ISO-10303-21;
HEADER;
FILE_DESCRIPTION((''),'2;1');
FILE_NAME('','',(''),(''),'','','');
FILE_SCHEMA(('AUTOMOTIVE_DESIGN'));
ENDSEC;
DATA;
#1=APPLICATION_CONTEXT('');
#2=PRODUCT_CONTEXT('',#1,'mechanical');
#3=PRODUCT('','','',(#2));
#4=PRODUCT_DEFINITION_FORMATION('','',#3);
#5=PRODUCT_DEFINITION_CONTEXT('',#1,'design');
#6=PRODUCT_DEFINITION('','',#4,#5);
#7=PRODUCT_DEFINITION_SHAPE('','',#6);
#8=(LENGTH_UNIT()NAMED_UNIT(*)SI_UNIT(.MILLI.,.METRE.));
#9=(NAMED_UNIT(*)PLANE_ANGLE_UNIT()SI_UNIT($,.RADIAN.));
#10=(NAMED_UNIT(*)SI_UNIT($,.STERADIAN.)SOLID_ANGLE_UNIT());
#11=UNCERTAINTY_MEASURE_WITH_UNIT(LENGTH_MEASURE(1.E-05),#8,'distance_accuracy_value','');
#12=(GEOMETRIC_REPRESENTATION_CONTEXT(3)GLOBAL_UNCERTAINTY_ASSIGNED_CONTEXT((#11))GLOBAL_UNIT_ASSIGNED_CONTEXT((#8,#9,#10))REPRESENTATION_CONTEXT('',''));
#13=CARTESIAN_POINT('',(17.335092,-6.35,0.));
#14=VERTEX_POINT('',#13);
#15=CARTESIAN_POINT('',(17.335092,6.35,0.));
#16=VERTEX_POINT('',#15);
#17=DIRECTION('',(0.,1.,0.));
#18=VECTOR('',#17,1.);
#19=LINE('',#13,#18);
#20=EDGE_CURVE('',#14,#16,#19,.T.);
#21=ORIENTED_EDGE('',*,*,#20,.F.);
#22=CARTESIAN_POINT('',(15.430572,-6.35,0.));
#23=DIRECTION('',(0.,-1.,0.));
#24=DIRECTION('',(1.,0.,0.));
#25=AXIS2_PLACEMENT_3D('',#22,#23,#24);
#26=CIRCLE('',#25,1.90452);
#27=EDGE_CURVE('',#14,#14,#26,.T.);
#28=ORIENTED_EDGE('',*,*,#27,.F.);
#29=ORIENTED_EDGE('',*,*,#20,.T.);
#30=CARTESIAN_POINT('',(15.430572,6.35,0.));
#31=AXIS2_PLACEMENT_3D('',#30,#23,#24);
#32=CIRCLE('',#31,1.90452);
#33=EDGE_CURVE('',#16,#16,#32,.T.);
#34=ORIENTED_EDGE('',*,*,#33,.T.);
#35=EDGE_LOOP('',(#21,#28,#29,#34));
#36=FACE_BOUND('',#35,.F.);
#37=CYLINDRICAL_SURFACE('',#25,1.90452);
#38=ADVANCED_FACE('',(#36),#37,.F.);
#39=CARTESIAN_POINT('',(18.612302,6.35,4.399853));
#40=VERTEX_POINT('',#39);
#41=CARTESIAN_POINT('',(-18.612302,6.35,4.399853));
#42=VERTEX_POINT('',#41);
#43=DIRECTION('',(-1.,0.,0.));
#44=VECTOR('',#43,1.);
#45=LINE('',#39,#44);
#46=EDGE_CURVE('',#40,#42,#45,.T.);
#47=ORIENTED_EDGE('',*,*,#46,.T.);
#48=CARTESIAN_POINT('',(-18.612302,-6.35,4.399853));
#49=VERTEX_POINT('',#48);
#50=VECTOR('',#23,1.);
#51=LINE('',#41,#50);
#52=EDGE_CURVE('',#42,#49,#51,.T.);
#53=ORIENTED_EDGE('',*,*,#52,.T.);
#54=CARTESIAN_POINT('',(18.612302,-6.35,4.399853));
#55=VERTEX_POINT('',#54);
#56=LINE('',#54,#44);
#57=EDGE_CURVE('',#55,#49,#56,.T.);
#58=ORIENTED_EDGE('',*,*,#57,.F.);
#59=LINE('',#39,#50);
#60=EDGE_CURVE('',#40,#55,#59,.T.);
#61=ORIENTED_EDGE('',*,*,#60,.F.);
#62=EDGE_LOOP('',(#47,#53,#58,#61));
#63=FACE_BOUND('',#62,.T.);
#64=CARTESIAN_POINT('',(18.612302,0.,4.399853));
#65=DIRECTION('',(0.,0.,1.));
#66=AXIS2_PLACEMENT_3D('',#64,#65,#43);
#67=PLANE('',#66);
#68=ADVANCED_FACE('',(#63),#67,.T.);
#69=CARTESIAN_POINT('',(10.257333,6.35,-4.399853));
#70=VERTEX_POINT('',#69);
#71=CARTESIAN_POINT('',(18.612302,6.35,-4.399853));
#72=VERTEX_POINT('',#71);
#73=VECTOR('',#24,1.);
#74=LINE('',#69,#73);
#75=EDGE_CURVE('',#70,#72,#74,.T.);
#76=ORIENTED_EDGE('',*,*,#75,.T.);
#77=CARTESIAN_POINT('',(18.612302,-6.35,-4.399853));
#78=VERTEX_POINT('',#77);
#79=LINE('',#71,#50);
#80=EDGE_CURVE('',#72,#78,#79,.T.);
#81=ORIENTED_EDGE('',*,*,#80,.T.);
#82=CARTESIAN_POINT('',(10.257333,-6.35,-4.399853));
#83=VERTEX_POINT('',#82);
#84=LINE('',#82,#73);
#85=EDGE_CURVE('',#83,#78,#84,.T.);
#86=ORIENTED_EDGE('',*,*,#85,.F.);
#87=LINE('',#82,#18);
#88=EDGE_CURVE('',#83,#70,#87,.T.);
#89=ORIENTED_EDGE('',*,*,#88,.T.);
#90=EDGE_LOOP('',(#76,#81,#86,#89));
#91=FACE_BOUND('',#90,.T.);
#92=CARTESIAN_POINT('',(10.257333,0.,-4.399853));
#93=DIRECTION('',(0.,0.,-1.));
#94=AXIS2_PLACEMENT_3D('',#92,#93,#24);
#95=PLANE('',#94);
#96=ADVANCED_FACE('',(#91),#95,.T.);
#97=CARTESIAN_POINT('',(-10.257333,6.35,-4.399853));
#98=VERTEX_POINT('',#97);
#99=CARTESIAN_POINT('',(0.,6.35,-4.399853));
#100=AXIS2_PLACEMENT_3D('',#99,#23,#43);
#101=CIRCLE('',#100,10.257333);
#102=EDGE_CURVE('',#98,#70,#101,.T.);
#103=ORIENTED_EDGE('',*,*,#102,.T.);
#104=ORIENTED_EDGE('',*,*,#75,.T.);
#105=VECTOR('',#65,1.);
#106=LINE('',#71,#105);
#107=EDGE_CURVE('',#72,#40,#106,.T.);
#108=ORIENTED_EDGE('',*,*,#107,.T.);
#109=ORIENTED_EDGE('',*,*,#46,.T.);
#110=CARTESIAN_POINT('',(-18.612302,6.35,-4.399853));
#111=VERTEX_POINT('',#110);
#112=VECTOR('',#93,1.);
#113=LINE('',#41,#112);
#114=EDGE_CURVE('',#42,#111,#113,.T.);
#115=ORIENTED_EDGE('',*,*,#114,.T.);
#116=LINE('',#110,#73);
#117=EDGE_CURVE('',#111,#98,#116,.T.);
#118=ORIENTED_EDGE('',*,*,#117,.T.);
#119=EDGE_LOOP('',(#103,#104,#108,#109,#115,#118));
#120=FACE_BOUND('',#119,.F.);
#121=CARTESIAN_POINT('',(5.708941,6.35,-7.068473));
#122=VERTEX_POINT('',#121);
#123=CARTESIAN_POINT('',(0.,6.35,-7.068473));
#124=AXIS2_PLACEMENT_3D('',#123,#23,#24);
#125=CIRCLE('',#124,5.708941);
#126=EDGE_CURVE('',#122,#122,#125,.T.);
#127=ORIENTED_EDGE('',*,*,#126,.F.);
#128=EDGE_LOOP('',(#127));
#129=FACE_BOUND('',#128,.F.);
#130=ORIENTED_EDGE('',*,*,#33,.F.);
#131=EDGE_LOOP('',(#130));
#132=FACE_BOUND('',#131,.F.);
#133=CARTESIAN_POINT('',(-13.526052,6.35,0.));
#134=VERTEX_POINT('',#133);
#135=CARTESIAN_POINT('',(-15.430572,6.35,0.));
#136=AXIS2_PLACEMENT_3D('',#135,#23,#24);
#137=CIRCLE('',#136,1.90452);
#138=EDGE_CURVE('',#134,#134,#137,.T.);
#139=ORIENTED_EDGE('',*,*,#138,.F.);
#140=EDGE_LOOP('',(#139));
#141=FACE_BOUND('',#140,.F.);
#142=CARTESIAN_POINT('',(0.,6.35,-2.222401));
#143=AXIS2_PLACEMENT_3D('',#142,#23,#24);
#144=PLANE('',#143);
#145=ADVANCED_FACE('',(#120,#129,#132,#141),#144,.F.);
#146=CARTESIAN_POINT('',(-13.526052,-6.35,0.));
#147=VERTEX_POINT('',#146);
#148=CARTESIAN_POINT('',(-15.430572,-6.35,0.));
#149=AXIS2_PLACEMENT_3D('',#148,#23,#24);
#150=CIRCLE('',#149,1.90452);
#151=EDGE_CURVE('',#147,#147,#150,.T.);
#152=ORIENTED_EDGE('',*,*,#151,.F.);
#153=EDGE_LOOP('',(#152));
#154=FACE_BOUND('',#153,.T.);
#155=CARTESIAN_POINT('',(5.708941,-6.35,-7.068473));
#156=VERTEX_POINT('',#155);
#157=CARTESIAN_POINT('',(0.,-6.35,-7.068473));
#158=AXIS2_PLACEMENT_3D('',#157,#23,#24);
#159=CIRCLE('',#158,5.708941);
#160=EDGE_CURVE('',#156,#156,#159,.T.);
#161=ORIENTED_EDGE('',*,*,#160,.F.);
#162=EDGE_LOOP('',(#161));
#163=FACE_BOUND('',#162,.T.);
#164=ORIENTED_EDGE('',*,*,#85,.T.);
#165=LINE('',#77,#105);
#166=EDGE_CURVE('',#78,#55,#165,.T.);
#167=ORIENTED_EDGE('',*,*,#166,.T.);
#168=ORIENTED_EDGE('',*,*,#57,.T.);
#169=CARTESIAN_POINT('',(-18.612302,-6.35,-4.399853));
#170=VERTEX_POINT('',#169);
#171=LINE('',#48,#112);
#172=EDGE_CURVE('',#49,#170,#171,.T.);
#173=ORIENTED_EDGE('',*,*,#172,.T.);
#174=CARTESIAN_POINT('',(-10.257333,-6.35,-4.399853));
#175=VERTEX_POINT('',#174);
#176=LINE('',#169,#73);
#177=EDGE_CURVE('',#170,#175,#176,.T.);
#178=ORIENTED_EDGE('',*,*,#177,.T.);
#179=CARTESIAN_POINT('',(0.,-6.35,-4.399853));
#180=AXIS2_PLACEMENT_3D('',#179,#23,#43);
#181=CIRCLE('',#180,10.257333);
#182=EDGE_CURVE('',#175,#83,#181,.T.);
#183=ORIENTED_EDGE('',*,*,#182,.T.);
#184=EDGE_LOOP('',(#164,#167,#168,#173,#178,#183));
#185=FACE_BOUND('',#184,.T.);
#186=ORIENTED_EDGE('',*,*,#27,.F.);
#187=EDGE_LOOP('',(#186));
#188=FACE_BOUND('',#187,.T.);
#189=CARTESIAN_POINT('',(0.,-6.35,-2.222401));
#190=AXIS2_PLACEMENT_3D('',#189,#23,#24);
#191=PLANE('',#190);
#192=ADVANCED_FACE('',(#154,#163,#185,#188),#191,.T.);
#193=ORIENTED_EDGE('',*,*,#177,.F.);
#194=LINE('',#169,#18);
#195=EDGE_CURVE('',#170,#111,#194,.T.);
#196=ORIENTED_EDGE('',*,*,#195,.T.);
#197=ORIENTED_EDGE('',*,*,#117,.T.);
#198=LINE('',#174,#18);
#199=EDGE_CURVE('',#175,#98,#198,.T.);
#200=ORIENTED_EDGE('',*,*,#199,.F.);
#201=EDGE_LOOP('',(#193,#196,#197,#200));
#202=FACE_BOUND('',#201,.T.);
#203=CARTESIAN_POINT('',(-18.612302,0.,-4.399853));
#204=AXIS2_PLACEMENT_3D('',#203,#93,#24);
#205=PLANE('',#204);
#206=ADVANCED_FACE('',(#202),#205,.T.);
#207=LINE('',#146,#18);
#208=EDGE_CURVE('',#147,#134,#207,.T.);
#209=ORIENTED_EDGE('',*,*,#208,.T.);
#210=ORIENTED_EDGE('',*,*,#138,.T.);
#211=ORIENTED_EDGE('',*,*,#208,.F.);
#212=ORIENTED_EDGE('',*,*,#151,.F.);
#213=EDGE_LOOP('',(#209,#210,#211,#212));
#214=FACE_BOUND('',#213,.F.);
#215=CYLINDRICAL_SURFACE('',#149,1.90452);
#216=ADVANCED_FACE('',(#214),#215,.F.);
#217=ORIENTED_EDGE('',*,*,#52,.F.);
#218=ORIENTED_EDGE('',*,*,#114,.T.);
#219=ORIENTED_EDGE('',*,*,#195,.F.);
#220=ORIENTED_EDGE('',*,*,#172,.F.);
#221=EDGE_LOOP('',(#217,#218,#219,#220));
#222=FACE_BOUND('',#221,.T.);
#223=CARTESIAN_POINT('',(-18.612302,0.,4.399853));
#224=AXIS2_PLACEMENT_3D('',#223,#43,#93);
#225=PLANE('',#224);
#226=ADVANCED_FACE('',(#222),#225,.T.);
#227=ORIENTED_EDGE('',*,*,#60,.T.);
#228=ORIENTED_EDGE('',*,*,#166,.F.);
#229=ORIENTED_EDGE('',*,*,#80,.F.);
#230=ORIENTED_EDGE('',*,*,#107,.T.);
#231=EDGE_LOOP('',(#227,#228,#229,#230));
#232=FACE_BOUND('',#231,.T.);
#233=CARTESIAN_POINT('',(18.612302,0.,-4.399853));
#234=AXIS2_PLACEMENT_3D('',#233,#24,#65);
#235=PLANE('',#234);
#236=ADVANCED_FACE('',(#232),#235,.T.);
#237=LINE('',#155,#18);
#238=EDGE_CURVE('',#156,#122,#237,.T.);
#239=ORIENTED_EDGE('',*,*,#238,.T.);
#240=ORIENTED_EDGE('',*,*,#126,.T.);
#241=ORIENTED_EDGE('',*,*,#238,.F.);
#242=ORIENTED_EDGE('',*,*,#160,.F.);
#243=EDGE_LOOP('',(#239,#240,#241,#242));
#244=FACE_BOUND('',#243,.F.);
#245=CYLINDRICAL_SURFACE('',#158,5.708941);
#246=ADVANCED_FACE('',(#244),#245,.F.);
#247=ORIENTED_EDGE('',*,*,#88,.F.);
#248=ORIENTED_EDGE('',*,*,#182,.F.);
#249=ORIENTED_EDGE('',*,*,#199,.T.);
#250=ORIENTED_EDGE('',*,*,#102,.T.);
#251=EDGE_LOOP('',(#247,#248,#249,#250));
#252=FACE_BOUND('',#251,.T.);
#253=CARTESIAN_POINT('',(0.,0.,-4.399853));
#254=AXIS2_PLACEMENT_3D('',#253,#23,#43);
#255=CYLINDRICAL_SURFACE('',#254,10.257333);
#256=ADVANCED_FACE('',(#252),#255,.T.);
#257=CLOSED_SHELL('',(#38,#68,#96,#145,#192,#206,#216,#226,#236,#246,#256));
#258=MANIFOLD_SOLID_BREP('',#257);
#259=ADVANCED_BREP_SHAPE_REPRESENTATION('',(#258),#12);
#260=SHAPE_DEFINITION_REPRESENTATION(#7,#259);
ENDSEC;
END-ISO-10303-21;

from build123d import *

# Parameters (mm, degrees)
F1_DEPTH      = 6.35
F1_DEPTH_BACK = 6.35
F2_R          = 1.90452
F3_DEPTH      = 15.357033
F4_DEPTH      = 14.148086
F5_R          = 5.708941
F6_DEPTH      = 15.330171


with BuildPart() as f1:
    # F0 (on Front) → F1 (new body, two sides)
    with BuildSketch(Plane.XZ) as f1_sk:
        with BuildLine():
            Line((10.257333, -4.399853), (18.612302, -4.399853))
            Line((18.612302, -4.399853), (18.612302, 4.399853))
            Line((18.612302, 4.399853), (-18.612302, 4.399853))
            Line((-18.612302, 4.399853), (-18.612302, -4.399853))
            Line((-18.612302, -4.399853), (-10.257333, -4.399853))
            ThreePointArc((-10.257333, -4.399853), (0, -14.657186), (10.257333, -4.399853))
        make_face()
    extrude(amount=F1_DEPTH)
    extrude(f1_sk.sketch, amount=-F1_DEPTH_BACK)

    # F2 (on face) → F3 (cut)
    with BuildSketch(Plane.XZ.offset(6.35)):
        with Locations((-15.430572, 0)):
            Circle(F2_R)
    extrude(amount=-F3_DEPTH, mode=Mode.SUBTRACT)

    # F2 (on face) → F4 (cut)
    with BuildSketch(Plane.XZ.offset(6.35)):
        with Locations((15.430572, 0)):
            Circle(F2_R)
    extrude(amount=-F4_DEPTH, mode=Mode.SUBTRACT)

    # F5 (on face) → F6 (cut)
    with BuildSketch(Plane.XZ.offset(6.35)):
        with Locations((0, -7.068473)):
            Circle(F5_R)
    extrude(amount=-F6_DEPTH, mode=Mode.SUBTRACT)


solid = f1.part
